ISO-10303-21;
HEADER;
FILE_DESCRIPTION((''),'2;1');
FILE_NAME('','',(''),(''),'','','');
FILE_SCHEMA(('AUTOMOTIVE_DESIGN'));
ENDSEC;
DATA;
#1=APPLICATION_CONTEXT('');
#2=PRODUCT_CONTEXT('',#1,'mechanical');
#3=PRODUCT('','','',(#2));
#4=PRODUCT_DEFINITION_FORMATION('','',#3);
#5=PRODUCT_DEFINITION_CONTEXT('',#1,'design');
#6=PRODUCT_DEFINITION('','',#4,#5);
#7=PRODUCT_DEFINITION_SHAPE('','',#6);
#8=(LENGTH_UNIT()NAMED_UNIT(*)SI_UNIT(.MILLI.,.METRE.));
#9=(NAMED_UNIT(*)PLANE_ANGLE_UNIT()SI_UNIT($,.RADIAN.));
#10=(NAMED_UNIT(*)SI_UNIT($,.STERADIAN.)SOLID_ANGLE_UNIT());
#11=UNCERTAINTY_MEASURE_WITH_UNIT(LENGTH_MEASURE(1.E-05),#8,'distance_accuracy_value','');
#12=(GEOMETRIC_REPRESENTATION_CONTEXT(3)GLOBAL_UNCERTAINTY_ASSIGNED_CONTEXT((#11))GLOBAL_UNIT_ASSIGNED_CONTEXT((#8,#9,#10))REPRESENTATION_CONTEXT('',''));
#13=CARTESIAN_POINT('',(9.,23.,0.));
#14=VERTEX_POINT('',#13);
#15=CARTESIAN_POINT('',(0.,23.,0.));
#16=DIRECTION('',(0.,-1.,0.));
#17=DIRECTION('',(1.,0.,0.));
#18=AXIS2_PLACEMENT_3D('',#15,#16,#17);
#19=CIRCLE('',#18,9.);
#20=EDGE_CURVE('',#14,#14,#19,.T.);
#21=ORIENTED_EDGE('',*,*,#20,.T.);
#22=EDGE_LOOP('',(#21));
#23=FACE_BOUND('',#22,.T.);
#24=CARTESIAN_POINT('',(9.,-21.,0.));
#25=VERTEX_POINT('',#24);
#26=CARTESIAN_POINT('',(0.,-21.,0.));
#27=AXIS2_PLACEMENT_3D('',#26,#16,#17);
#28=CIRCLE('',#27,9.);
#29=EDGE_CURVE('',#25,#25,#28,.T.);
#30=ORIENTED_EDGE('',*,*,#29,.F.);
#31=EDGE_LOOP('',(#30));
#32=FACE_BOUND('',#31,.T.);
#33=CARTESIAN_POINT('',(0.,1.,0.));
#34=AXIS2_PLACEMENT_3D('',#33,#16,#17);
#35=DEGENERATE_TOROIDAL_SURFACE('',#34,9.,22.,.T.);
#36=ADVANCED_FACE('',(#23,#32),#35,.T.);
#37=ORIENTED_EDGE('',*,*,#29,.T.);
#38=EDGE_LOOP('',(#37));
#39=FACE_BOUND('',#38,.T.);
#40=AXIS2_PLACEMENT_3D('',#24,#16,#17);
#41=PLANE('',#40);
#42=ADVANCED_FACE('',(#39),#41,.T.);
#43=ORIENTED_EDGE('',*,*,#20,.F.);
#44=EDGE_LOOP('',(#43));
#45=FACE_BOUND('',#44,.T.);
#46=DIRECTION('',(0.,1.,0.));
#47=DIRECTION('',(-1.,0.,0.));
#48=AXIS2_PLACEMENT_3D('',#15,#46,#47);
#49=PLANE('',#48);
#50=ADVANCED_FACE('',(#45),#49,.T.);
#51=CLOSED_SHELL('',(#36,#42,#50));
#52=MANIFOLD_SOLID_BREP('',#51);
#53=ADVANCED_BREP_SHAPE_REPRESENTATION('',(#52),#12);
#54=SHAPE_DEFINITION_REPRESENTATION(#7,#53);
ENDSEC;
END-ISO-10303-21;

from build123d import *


with BuildPart() as part:
    # Sketch1 → Revolve1 (revolve)
    with BuildSketch(Plane.XY):
        with BuildLine():
            Line((0, 23), (9, 23))
            ThreePointArc((9, 23), (31, 1), (9, -21))
            Line((9, -21), (0, -21))
            Line((0, -21), (0, 23))
        make_face()
    revolve(axis=Axis((0, -31.03821831, 0), (0, 1, 0)))


solid = part.part
